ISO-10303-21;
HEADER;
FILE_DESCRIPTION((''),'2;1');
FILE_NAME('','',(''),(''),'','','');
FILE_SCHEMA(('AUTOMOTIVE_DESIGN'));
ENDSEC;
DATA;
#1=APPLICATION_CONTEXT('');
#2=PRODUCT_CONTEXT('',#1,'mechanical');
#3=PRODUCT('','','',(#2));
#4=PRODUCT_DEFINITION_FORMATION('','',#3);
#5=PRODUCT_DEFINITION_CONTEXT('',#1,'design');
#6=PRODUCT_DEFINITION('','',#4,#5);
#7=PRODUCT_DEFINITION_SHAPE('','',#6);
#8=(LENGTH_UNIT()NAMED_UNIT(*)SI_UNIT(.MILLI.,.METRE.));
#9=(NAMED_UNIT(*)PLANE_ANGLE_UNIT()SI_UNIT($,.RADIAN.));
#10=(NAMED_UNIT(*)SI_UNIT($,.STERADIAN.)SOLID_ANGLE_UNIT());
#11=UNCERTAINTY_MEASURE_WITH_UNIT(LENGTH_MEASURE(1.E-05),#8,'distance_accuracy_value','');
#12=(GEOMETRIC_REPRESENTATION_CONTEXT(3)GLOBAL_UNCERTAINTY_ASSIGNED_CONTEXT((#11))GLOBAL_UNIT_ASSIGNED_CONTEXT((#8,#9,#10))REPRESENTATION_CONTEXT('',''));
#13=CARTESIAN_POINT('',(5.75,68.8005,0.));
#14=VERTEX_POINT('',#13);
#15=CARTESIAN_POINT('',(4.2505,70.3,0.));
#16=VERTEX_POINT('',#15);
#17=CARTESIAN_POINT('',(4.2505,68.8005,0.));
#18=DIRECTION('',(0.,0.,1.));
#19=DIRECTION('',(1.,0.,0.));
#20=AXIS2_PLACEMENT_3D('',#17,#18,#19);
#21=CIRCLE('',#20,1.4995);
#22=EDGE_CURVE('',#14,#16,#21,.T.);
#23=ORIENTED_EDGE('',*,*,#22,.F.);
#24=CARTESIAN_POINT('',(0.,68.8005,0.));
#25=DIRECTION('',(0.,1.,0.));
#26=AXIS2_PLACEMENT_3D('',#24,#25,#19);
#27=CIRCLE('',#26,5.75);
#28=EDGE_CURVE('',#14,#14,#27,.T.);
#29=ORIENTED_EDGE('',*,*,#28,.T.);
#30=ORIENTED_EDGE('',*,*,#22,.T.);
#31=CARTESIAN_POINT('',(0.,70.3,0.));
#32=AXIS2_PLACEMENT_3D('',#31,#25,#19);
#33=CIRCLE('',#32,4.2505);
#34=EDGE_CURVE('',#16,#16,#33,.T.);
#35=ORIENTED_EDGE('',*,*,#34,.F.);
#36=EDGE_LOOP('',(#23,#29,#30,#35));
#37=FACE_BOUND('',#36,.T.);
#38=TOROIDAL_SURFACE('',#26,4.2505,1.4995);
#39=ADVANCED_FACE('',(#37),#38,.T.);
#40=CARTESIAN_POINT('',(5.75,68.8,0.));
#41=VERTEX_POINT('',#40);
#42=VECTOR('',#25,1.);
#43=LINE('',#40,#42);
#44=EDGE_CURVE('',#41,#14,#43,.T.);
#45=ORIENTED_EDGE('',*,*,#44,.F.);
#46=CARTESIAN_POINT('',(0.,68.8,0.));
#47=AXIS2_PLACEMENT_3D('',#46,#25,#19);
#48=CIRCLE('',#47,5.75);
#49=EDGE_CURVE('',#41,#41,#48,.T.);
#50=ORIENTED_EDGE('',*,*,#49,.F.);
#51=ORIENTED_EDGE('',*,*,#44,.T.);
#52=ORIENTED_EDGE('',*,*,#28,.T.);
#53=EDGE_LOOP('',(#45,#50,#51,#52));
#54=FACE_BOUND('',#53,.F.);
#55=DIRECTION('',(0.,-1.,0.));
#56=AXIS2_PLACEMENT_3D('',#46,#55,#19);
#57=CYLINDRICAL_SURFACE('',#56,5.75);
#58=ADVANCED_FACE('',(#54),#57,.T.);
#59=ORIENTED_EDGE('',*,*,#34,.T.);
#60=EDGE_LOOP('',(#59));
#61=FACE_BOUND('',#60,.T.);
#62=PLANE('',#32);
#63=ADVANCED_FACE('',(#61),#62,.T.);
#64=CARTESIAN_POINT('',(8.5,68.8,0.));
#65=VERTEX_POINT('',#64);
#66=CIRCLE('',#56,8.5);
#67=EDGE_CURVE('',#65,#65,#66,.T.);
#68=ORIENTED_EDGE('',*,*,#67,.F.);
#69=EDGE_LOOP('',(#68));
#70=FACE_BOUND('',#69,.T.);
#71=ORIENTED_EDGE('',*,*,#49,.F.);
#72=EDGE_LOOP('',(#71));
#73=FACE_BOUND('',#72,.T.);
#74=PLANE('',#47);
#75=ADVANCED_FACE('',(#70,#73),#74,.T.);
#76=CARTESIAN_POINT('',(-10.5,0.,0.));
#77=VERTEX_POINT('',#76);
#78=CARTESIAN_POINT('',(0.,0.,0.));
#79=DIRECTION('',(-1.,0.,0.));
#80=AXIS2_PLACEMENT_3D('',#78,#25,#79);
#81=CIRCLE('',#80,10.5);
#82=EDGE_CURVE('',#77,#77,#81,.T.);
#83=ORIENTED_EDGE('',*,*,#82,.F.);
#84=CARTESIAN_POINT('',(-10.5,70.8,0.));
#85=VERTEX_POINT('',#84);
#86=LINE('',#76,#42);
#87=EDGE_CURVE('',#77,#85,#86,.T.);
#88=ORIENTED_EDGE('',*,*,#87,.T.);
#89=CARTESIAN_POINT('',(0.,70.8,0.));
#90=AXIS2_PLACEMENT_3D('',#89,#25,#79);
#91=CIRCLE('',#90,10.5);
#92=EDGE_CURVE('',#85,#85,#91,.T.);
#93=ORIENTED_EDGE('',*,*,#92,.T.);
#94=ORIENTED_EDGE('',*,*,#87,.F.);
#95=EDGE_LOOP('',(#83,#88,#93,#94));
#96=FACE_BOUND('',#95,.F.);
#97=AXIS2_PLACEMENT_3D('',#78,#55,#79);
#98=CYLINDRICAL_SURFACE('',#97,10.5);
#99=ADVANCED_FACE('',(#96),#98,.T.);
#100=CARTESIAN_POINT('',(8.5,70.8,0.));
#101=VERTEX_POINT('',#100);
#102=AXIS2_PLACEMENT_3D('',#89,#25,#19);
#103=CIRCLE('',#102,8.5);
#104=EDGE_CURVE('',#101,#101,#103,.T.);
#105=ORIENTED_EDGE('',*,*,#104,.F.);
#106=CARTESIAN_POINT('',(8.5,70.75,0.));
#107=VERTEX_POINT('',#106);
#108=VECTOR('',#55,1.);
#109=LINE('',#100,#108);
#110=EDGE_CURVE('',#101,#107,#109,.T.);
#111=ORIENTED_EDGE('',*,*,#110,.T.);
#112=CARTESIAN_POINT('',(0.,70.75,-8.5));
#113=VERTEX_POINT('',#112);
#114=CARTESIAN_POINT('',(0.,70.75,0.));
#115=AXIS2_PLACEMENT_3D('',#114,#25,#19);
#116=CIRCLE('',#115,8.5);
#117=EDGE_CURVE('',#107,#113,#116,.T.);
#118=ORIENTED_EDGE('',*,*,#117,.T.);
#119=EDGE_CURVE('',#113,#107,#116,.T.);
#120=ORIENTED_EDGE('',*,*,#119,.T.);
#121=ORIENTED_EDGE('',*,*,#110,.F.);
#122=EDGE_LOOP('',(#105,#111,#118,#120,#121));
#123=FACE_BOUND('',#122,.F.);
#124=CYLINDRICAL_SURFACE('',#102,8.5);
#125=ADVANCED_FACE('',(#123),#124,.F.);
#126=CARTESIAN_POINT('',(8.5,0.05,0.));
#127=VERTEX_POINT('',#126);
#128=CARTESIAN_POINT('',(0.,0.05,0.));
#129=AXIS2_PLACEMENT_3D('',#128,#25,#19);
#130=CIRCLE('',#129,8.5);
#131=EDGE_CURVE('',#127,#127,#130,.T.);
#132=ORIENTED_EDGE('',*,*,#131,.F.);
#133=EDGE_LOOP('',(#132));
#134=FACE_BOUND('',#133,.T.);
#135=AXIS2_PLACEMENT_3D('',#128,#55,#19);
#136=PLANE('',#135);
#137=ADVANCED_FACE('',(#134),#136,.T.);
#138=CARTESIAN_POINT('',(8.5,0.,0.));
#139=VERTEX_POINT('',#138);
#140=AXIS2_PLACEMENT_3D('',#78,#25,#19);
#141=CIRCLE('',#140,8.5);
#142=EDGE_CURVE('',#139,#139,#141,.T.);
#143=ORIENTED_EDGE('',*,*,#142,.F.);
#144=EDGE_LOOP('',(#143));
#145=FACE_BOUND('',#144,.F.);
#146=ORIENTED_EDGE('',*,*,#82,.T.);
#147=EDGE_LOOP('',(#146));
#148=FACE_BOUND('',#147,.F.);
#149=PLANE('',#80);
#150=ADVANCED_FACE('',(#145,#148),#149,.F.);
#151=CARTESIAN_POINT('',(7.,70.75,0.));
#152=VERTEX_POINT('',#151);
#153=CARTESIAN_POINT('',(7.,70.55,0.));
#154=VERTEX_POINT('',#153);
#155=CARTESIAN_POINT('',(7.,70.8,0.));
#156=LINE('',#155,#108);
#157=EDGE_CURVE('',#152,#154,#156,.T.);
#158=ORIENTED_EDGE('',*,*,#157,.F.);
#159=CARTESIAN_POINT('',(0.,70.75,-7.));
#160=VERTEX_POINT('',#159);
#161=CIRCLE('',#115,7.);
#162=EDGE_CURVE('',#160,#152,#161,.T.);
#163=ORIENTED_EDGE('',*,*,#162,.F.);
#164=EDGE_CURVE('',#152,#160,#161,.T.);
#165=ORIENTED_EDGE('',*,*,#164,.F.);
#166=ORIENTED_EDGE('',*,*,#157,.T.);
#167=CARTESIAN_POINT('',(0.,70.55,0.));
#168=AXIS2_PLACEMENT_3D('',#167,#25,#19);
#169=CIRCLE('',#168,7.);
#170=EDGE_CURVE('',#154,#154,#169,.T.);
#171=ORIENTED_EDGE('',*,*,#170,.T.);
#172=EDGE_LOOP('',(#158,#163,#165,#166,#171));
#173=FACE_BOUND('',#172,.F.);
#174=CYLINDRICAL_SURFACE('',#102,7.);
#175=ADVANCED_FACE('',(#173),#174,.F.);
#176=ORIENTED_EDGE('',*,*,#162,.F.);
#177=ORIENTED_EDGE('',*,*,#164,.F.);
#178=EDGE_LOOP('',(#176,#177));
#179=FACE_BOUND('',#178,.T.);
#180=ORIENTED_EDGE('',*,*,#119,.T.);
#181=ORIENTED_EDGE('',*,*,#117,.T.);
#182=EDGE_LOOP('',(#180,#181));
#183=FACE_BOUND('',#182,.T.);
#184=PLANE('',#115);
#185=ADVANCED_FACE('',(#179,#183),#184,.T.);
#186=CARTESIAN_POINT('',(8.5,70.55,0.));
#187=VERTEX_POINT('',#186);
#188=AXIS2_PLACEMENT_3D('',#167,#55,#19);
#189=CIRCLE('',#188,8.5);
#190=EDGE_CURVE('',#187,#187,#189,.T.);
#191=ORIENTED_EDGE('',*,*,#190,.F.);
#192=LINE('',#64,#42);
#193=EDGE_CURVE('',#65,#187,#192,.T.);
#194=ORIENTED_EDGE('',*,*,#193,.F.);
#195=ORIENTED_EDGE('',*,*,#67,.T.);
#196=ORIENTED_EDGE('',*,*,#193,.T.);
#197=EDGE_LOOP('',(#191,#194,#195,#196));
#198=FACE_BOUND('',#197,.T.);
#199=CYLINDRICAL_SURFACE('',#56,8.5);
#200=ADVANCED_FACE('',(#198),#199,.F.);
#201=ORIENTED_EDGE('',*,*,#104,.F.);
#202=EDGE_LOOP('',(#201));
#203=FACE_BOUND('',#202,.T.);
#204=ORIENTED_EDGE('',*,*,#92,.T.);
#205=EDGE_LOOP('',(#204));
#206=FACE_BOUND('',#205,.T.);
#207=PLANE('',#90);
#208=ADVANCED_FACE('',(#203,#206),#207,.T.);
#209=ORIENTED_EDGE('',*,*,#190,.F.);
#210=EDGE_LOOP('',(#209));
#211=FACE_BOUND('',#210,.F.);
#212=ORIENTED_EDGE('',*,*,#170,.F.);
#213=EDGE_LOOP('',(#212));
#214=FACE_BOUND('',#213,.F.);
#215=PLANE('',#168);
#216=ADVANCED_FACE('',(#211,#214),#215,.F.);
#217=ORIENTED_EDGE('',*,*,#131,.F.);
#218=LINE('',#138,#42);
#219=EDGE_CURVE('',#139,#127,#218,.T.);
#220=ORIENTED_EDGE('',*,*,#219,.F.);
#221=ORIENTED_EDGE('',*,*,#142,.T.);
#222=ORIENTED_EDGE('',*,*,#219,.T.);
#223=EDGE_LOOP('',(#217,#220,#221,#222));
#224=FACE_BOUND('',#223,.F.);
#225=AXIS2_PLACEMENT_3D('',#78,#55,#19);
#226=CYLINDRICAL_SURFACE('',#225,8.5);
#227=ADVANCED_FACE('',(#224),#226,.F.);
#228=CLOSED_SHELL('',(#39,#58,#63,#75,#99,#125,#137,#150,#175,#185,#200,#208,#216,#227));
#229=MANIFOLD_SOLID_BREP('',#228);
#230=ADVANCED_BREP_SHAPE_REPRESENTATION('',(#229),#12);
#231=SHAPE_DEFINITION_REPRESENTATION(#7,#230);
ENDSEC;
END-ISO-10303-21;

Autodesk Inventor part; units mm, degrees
ref_plane "YZ Plane" through (0, 0, 0) normal (1, 0, 0) x (0, 1, 0)
ref_plane "XZ Plane" through (0, 0, 0) normal (0, 1, 0) x (-1, 0, 0)
ref_plane "XY Plane" through (0, 0, 0) normal (0, 0, 1) x (1, 0, 0)
sketch "Sketch1" plane through (0, 0, 0) normal (0, 1, 0) x (-1, 0, 0)
  circle A0 centre (0, 0) radius 10.5
  dimension "d0" = 21
extrude "Extrusion1" add sketch "Sketch1" along normal blind 70.8
sketch "Sketch2" plane through (0, 70.8, 0) normal (0, 1, 0) x (1, 0, 0)
  circle A0 centre (0, 0) radius 10.5 projected
  line L0 (-10.5, 0) -> (-7, 0)
  circle A1 centre (0, 0) radius 7
  dimension "d3" = 3.5
extrude "Extrusion2" cut sketch "Sketch2" against normal blind 2 contours A1
sketch "Sketch3" plane through (0, 68.8, 0) normal (0, 1, 0) x (1, 0, 0)
  circle A0 centre (0, 0) radius 10.5 projected
  line L0 (-10.5, 0) -> (-8.5, 0)
  circle A1 centre (0, 0) radius 8.5
  dimension "d6" = 2
extrude "Extrusion3" cut sketch "Sketch3" along normal blind 1.75 contours A1
sketch "Sketch4" plane through (0, 68.8, 0) normal (0, 1, 0) x (1, 0, 0)
  circle A0 centre (0, 0) radius 5.75
  dimension "d9" = 11.5
extrude "Extrusion4" add sketch "Sketch4" along normal blind 1.5
fillet "Fillet1" radius 1.5 1 edges at (-5.75, 70.3, 0)
sketch "Sketch5" plane through (0, 70.8, 0) normal (0, 1, 0) x (1, 0, 0)
  circle A0 centre (0, 0) radius 7
  circle A1 centre (0, 0) radius 7 projected
  line L0 (0, 7) -> (0, 8.5)
  circle A2 centre (0, 0) radius 8.5 projected
  circle A3 centre (0, 0) radius 4.25 projected
  circle A4 centre (0, 0) radius 8.5
extrude "Extrusion5" cut sketch "Sketch5" against normal blind 0.05 contours A2
sketch "Sketch6" plane through (0, 0, 0) normal (0, -1, 0) x (1, 0, 0)
  circle A0 centre (0, 0) radius 10.5 projected
  line L0 (0, 10.5) -> (0, 8.5)
  circle A1 centre (0, 0) radius 8.5 projected
  circle A2 centre (0, 0) radius 8.5
  circle A3 centre (0, 0) radius 10.5
extrude "Extrusion6" cut sketch "Sketch6" against normal blind 0.05 contours A1
properties part number "baterka"
